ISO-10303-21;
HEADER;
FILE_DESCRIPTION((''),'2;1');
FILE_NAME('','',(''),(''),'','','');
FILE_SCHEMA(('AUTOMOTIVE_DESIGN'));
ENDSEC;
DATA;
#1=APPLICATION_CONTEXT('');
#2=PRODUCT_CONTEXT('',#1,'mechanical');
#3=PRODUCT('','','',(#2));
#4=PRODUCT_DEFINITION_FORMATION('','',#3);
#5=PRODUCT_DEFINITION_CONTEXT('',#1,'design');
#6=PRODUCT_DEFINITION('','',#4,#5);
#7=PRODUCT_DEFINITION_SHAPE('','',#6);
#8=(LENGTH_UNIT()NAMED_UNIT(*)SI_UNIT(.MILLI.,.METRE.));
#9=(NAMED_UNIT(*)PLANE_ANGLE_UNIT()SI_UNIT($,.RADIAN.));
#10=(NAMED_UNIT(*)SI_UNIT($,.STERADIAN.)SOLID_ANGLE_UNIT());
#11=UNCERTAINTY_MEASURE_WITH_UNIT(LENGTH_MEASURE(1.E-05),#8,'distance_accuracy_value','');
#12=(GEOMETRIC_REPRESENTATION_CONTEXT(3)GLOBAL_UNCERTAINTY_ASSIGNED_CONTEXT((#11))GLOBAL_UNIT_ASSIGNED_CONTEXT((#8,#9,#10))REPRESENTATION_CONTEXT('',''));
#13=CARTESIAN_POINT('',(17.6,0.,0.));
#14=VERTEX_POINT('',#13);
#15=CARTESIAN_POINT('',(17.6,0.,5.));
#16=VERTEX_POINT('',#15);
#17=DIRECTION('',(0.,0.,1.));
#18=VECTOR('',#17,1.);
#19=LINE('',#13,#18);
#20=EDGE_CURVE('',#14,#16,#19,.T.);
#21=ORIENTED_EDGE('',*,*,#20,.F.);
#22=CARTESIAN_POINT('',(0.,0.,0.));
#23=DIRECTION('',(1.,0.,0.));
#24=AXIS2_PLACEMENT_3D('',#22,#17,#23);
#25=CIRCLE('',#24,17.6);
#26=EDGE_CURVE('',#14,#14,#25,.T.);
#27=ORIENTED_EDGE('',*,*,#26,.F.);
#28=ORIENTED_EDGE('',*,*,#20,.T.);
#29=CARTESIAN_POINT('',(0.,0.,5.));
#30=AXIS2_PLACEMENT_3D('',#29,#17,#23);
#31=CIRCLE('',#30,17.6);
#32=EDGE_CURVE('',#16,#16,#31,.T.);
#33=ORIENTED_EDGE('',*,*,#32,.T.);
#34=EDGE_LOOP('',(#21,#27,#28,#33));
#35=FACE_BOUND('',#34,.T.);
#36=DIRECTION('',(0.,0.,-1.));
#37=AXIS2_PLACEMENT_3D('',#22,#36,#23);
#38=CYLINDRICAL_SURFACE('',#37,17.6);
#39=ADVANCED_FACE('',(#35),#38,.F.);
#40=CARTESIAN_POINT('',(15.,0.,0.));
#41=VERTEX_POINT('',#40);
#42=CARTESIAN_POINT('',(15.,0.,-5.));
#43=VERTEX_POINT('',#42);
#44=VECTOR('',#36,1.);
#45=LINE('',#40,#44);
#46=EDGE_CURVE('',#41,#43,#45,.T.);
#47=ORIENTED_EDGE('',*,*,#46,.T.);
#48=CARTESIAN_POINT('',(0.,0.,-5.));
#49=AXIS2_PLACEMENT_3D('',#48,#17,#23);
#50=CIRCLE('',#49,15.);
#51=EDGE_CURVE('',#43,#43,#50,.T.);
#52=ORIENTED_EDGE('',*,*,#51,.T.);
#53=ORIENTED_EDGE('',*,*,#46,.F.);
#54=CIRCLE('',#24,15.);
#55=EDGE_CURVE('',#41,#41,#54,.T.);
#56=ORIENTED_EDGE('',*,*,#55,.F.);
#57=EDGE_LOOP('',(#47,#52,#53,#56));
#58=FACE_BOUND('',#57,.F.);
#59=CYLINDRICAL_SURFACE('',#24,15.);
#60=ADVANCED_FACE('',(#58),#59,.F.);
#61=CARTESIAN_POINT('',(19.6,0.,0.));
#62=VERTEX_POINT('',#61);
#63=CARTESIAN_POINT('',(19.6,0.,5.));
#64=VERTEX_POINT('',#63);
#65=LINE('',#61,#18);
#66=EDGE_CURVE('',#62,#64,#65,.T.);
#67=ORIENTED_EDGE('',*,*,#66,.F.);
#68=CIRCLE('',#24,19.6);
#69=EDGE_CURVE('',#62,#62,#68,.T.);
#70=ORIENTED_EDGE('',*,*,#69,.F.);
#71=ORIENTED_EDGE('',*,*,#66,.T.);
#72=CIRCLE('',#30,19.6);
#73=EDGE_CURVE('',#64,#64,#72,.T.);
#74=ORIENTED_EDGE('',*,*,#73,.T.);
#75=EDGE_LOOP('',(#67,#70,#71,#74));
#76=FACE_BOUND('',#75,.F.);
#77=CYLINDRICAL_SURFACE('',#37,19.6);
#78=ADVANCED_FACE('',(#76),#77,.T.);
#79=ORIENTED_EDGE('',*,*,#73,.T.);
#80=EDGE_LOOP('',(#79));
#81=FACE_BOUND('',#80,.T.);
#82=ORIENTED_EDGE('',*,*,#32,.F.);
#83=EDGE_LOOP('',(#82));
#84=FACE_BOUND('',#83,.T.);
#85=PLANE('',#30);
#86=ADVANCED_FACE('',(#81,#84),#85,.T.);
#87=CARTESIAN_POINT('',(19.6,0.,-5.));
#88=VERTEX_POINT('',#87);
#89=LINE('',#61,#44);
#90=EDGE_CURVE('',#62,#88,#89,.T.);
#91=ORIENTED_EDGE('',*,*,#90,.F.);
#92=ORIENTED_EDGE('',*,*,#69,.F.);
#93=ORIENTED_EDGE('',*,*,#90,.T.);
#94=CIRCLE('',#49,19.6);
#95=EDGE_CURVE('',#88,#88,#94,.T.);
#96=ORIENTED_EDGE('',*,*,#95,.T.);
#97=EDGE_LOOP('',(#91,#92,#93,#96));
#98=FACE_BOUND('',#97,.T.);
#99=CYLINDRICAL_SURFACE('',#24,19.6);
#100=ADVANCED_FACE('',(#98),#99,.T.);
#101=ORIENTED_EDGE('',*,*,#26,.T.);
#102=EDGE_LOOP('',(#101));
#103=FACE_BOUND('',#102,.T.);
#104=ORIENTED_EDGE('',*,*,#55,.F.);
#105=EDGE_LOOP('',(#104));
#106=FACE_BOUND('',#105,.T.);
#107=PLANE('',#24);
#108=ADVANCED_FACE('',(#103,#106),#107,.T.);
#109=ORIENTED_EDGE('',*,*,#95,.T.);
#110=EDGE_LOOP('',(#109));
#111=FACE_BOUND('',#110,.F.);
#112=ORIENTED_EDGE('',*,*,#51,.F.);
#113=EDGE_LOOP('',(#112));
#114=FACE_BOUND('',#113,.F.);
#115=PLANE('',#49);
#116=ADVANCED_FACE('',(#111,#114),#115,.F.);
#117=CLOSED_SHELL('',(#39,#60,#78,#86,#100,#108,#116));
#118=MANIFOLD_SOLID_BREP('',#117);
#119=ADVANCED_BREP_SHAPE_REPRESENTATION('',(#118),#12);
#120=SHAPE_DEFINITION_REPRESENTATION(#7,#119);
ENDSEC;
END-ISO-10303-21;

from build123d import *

# Parameters (mm, degrees)
F0_R     = 19.6
F0_R_2   = 17.6
F0_R_3   = 17
F0_R_4   = 15
F1_DEPTH = 5
F2_DEPTH = 5


with BuildPart() as f1:
    # F0 (on Top) → F1 (new body)
    with BuildSketch(Plane.XY):
        Circle(F0_R)
        Circle(F0_R_2, mode=Mode.SUBTRACT)
        Circle(F0_R_2)
        Circle(F0_R_3, mode=Mode.SUBTRACT)
        Circle(F0_R_3)
        Circle(F0_R_4, mode=Mode.SUBTRACT)
    extrude(amount=-F1_DEPTH)

    # F0 (on Top) → F2 (join)
    with BuildSketch(Plane.XY):
        Circle(F0_R)
        Circle(F0_R_2, mode=Mode.SUBTRACT)
    extrude(amount=F2_DEPTH)


solid = f1.part
